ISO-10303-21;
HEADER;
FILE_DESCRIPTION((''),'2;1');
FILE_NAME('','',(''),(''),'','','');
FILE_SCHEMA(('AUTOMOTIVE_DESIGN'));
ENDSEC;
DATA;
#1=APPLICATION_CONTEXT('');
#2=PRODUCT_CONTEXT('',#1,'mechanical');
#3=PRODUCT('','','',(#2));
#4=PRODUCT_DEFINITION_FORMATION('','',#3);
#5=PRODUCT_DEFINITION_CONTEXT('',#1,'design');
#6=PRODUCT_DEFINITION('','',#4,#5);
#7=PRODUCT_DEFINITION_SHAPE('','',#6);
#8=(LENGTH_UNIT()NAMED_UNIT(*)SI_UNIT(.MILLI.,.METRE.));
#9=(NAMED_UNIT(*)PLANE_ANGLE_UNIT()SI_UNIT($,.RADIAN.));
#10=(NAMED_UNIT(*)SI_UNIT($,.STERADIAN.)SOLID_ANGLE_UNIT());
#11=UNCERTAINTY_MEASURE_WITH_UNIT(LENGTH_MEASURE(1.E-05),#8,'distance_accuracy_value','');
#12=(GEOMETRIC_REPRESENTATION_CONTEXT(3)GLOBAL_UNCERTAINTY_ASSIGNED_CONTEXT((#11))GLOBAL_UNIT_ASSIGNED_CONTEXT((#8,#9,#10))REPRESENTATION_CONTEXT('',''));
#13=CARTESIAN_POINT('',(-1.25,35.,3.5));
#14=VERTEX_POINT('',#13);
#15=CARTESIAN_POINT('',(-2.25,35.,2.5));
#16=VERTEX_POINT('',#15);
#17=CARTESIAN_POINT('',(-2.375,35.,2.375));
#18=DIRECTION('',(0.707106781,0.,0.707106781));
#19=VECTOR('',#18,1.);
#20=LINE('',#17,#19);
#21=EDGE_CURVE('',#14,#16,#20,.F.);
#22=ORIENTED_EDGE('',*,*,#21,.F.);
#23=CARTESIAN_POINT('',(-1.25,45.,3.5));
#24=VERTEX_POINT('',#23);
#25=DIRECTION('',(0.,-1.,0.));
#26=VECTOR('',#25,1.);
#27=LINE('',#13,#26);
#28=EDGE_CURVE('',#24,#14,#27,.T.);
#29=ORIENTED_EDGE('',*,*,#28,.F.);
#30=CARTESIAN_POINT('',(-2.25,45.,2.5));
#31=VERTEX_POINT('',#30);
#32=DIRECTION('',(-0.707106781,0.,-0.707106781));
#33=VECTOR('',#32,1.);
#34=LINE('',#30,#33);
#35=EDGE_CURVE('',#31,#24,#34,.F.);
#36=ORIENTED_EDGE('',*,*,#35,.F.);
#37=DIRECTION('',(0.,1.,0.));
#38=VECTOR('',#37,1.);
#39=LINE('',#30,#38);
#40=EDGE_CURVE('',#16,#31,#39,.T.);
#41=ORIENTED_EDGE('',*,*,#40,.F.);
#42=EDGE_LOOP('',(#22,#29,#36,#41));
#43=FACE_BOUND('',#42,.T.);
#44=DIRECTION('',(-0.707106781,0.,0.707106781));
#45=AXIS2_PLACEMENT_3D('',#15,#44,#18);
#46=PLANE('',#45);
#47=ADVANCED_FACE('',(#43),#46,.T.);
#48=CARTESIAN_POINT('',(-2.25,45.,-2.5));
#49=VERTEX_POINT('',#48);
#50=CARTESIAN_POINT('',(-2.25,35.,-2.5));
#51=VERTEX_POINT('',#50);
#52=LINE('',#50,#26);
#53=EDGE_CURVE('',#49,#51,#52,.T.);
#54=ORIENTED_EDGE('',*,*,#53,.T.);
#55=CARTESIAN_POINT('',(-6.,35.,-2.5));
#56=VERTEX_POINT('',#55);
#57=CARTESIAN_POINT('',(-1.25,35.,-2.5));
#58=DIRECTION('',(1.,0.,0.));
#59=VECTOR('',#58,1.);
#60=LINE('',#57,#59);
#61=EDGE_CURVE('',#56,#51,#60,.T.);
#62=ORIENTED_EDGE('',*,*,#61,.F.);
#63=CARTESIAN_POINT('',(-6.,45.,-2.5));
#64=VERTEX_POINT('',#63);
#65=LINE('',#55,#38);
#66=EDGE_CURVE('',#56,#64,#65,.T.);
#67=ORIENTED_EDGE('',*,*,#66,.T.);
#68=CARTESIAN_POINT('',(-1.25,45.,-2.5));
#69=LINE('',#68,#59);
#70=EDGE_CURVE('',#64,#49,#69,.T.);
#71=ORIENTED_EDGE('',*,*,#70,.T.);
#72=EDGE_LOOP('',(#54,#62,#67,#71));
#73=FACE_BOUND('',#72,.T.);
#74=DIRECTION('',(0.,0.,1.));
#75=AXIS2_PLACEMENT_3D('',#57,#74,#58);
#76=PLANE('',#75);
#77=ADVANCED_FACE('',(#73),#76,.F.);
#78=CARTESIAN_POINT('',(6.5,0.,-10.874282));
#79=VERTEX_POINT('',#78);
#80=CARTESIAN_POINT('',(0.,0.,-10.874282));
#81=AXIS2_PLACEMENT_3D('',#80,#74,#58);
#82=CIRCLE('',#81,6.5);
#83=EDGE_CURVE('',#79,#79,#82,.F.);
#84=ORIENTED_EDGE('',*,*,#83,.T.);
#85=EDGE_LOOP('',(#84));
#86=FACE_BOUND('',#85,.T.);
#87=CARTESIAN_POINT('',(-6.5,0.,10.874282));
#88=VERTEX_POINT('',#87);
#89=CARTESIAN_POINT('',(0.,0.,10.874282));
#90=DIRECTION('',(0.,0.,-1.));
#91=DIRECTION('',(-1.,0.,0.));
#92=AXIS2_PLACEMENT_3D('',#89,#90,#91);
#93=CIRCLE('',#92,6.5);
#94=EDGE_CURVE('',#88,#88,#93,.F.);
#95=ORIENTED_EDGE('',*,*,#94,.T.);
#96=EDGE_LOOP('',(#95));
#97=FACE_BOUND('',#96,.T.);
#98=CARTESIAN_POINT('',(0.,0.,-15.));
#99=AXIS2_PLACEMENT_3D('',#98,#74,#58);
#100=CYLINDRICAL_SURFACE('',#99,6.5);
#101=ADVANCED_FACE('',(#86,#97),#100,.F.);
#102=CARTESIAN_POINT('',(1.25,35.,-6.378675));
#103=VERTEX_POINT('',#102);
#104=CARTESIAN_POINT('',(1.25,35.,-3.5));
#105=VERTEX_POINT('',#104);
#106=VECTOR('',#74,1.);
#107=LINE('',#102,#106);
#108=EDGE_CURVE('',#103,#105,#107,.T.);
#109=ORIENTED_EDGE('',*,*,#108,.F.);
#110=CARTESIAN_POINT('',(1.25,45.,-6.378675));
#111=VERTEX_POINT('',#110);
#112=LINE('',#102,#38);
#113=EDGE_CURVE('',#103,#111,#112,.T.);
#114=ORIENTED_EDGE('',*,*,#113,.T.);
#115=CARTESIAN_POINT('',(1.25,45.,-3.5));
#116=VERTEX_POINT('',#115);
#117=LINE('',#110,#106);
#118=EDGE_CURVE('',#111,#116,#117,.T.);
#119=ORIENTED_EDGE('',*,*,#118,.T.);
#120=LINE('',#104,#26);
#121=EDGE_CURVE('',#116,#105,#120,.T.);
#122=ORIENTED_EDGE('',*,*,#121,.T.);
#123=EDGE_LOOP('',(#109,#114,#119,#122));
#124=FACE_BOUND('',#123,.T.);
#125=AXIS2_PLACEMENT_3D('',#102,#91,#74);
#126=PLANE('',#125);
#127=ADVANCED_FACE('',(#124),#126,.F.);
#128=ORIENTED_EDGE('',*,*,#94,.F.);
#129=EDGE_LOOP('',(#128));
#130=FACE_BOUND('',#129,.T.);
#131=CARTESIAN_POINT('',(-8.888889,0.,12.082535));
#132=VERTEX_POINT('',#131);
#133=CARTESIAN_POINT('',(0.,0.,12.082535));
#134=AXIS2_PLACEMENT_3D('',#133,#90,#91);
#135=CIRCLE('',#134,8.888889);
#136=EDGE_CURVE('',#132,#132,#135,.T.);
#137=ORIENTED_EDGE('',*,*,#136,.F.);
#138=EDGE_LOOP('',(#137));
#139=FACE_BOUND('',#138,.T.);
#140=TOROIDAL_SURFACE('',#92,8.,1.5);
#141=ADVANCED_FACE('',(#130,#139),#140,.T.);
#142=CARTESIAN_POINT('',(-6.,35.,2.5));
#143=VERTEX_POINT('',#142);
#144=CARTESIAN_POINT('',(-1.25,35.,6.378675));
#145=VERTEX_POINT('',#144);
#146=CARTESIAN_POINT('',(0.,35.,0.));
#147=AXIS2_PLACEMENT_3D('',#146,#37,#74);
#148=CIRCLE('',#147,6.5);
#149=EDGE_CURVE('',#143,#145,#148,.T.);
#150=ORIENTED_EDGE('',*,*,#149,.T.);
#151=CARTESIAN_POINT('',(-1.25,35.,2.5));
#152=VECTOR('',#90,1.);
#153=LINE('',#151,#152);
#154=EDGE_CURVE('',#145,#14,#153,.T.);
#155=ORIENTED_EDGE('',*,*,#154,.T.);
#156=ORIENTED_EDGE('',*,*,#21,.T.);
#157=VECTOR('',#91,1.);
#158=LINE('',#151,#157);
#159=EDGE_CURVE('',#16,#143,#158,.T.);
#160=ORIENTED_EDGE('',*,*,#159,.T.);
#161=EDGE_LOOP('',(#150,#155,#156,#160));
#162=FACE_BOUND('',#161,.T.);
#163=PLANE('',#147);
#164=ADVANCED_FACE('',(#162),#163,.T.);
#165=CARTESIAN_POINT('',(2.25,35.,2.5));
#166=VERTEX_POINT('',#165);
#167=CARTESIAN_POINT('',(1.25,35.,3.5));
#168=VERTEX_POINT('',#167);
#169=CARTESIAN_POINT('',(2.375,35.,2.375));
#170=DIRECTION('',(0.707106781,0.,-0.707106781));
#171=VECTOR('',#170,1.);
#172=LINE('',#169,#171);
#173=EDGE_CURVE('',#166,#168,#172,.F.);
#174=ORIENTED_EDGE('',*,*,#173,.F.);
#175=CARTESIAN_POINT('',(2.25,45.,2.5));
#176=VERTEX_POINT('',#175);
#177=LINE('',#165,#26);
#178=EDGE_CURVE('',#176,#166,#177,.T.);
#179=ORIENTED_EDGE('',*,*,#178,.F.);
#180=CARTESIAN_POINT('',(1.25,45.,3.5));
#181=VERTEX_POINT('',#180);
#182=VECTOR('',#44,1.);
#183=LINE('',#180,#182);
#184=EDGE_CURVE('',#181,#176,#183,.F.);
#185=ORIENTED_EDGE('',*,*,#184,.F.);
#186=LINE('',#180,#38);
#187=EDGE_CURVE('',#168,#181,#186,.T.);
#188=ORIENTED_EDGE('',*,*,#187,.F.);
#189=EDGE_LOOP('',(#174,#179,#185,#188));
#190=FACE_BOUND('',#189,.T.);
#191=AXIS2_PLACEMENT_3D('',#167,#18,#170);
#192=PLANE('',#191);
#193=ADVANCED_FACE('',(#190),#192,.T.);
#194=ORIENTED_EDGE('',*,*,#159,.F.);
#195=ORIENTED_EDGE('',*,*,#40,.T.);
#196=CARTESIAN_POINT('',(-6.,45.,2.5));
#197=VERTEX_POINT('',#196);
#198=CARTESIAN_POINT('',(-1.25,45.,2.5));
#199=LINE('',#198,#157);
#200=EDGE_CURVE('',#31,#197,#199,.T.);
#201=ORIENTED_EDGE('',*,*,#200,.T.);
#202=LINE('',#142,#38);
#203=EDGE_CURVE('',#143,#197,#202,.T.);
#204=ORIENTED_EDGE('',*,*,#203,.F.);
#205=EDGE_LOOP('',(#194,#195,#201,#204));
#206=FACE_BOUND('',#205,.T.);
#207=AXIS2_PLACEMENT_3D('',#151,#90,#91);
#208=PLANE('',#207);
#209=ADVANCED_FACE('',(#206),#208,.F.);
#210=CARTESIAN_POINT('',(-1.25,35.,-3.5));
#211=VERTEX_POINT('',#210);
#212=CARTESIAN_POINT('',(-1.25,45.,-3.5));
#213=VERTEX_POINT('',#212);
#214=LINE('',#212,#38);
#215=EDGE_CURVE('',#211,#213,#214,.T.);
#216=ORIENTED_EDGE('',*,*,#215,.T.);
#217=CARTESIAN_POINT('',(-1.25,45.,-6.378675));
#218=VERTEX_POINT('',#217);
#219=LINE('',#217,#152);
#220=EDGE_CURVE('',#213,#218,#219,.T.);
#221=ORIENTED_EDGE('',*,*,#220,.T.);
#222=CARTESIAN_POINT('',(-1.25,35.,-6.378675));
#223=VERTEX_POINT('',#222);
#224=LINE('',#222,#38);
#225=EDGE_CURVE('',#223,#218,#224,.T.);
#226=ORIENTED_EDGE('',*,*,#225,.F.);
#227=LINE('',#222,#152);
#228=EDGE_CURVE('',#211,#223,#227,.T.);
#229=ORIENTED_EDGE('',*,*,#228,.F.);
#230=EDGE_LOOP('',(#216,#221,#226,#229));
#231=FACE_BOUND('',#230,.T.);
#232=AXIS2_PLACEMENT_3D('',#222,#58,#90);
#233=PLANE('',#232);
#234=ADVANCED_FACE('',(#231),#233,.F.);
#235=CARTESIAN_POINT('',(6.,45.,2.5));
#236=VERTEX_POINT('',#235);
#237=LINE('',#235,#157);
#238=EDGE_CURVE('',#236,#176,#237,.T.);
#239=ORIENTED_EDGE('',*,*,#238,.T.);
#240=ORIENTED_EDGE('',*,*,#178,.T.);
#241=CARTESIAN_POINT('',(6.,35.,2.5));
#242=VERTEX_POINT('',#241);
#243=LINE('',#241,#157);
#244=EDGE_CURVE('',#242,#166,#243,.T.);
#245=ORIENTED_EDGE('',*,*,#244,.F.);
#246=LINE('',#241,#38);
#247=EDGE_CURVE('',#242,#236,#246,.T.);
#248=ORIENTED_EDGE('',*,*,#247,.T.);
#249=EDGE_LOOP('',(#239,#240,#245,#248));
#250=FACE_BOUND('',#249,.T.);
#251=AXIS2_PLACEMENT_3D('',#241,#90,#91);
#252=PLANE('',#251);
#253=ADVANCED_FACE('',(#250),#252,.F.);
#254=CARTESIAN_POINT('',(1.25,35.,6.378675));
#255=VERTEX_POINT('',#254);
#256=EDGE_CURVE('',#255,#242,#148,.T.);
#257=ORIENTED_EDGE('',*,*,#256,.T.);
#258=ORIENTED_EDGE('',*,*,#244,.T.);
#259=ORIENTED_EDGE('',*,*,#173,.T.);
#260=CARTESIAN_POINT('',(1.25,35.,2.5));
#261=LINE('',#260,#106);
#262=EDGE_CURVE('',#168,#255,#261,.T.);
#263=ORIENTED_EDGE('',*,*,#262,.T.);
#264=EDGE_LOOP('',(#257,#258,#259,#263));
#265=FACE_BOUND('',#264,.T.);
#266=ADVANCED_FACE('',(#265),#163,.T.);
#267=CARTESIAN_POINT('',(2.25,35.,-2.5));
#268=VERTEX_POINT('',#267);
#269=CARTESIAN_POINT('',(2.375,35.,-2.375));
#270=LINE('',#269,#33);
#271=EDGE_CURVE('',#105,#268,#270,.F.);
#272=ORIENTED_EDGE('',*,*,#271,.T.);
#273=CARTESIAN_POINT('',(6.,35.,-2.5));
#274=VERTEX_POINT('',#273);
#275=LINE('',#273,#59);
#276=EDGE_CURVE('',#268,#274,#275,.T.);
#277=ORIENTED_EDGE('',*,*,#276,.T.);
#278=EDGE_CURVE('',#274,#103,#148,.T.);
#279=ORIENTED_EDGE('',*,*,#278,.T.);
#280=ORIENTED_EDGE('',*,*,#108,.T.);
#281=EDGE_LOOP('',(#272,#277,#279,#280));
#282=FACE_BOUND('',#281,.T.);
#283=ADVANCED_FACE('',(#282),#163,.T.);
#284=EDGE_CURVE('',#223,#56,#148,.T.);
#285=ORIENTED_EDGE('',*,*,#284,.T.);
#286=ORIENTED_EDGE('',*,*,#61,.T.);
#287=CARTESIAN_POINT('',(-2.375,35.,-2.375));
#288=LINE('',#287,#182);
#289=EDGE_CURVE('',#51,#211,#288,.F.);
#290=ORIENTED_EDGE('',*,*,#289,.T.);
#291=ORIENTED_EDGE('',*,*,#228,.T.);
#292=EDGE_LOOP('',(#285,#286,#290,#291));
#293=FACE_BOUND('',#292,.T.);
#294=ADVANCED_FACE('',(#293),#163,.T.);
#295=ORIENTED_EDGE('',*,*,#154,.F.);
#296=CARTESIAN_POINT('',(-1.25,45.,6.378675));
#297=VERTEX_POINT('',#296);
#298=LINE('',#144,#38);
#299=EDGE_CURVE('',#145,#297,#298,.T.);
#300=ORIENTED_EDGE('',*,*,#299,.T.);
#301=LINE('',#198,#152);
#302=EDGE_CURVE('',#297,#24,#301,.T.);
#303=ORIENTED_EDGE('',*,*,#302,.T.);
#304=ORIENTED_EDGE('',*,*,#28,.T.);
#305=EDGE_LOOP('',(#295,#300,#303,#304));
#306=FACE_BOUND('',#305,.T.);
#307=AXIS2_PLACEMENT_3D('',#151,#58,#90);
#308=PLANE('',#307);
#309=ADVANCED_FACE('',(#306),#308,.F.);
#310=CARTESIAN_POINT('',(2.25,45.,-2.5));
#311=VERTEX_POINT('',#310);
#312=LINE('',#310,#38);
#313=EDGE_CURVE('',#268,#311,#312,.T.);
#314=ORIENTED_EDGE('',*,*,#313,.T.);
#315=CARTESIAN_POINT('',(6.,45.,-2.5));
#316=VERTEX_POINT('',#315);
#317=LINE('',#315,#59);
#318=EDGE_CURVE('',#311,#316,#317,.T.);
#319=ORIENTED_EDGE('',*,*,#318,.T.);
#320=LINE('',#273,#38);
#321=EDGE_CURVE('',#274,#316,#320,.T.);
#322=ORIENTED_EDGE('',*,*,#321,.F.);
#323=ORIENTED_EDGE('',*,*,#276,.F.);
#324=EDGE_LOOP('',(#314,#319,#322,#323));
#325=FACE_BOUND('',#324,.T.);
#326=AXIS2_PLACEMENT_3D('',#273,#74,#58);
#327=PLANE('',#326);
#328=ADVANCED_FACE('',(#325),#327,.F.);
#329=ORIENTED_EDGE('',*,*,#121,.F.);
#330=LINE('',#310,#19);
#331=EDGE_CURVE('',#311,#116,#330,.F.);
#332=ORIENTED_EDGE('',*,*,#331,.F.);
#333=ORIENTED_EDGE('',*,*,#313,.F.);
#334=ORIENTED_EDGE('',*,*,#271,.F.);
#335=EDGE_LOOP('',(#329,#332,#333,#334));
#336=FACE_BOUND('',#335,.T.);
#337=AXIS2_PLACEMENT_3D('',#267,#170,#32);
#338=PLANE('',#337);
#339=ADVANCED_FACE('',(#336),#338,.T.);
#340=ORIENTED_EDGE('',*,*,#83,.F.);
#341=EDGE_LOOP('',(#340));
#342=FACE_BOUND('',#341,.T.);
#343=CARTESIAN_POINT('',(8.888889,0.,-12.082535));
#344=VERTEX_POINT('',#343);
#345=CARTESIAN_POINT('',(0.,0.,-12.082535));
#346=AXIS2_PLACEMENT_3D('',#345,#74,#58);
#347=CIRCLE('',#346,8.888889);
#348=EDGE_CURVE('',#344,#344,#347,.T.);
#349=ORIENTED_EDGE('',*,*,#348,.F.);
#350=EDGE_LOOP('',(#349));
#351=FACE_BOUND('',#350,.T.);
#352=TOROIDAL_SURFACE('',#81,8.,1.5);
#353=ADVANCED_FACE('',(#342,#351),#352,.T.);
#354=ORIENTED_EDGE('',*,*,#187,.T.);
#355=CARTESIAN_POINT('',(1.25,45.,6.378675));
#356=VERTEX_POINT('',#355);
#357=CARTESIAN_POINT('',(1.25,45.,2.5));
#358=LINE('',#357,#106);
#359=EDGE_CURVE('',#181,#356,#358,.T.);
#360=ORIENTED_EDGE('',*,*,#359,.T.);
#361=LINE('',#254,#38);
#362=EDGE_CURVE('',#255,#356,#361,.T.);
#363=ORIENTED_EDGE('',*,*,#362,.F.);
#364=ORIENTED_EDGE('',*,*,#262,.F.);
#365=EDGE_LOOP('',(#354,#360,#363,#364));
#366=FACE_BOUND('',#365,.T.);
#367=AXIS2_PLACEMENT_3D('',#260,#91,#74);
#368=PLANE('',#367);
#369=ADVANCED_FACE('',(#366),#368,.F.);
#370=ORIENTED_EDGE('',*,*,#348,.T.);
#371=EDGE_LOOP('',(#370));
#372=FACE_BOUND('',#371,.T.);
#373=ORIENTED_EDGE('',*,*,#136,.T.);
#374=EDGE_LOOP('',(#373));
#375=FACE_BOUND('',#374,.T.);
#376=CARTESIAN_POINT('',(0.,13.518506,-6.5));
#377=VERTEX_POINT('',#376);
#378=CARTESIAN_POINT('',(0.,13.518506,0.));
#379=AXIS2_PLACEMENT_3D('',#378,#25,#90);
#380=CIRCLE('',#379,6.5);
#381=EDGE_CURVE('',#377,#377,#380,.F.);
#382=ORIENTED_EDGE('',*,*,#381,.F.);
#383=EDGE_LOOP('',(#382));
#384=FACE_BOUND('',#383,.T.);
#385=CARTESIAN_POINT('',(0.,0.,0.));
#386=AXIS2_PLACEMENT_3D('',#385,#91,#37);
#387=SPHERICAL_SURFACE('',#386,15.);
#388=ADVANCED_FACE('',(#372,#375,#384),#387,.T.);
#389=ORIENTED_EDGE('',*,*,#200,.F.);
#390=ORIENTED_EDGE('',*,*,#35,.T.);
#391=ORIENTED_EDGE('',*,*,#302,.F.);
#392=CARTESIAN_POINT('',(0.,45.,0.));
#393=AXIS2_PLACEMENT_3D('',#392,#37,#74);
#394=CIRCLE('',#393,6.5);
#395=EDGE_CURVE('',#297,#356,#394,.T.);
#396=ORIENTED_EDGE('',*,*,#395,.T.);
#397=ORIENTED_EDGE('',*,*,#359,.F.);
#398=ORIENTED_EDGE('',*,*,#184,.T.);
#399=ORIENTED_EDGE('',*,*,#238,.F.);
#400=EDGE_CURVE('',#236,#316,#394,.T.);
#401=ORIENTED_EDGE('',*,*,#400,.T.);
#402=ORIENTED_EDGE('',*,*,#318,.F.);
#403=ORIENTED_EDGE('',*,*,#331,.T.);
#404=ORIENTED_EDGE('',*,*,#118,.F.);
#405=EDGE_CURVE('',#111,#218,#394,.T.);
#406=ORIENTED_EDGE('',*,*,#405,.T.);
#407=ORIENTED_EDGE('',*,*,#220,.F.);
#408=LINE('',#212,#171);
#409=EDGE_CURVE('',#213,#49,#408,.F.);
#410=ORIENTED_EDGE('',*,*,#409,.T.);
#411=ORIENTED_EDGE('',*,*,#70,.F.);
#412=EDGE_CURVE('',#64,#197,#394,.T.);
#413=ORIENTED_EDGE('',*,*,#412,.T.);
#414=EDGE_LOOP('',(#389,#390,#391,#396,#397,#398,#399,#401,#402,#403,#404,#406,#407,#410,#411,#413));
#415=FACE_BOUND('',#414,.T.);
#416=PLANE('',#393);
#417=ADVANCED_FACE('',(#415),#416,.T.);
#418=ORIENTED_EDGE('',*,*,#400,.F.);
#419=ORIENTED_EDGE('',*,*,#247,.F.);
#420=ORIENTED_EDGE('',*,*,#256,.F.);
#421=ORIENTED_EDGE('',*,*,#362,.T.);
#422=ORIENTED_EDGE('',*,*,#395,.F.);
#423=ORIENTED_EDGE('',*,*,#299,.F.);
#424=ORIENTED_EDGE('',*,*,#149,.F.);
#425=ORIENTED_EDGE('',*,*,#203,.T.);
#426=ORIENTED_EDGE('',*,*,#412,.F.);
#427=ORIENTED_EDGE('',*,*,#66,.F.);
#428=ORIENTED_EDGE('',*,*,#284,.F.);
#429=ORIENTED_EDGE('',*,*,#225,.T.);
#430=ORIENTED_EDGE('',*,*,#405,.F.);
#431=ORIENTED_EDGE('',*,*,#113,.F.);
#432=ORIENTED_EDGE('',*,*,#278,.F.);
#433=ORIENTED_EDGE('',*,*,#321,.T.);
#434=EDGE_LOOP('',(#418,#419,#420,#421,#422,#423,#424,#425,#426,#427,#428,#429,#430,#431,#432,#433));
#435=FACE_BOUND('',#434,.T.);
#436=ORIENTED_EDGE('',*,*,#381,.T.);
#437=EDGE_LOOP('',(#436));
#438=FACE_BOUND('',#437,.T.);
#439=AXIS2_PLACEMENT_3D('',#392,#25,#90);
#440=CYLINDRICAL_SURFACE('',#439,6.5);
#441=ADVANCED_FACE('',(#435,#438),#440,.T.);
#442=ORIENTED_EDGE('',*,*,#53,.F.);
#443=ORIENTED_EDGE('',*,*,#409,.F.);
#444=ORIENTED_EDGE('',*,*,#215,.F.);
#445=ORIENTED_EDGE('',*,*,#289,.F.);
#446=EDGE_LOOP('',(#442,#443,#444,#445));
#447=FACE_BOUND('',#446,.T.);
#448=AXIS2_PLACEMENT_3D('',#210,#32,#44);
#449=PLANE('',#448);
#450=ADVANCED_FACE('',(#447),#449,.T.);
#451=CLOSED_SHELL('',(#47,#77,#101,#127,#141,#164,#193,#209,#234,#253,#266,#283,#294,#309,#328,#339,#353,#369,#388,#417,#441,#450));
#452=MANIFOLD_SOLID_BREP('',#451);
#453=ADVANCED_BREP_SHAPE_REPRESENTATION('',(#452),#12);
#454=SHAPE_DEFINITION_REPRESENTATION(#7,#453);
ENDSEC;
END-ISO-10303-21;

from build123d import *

# Parameters (mm, degrees)
SKETCH_S2_R              = 6.5
EXTRUDE_2_DEPTH          = 45
CUT_EXTRUDE_START        = -10
CUT_EXTRUDE_3_DEPTH      = 10
CHAMFER_4_SIZE           = 1
CUT_EXTRUDE_5_DEPTH      = 50.749371946
CUT_EXTRUDE_5_DEPTH_BACK = 50.749371946
SKETCH_S5_R              = 6.5
FILLET1_R                = 1.5


with BuildPart() as part:
    # Sketch s1 → Revolve 1 (revolve)
    with BuildSketch(Plane.XY):
        with BuildLine():
            Line((-15, 0), (15, 0))
            ThreePointArc((15, 0), (0, 15), (-15, 0))
        make_face()
    revolve(axis=Axis((-56.6721202, 0, 0), (1, 0, 0)))

    # Sketch s2 → Extrude 2 (add)
    with BuildSketch(Plane(origin=(0, 0, 0), x_dir=(1, 0, 0), z_dir=(0, 1, 0))):
        with Locations(Location((0, 0, 0), (0, 0, 90))):
            Circle(SKETCH_S2_R)
    extrude(amount=EXTRUDE_2_DEPTH)

    # Sketch s3 → Cut-Extrude 3 (cut)
    with BuildSketch(Plane(origin=(0, 45, 0), x_dir=(-1, 0, 0), z_dir=(0, 1, 0)).offset(CUT_EXTRUDE_START)):
        with BuildLine():
            Line((-1.25, -6.378675411), (-1.25, -2.5))
            Line((-1.25, -2.5), (-6, -2.5))
            ThreePointArc((-6, -2.5), (-4.111162334, -5.034713921), (-1.25, -6.378675411))
        make_face()
        with BuildLine():
            Line((1.25, -6.378675411), (1.25, -2.5))
            Line((1.25, -2.5), (6, -2.5))
            ThreePointArc((6, -2.5), (4.111162334, -5.034713921), (1.25, -6.378675411))
        make_face()
        with BuildLine():
            Line((-6, 2.5), (-1.25, 2.5))
            Line((-1.25, 2.5), (-1.25, 6.378675411))
            ThreePointArc((-1.25, 6.378675411), (-4.111162334, 5.034713921), (-6, 2.5))
        make_face()
        with BuildLine():
            Line((1.25, 2.5), (1.25, 6.378675411))
            ThreePointArc((1.25, 6.378675411), (4.111162334, 5.034713921), (6, 2.5))
            Line((6, 2.5), (1.25, 2.5))
        make_face()
    extrude(amount=CUT_EXTRUDE_3_DEPTH, mode=Mode.SUBTRACT)

    # Chamfer 4
    chamfer_4_edges = [part.edges().sort_by_distance(p)[0] for p in [
        (-1.25, 40, -2.5),
        (1.25, 40, 2.5),
        (1.25, 40, -2.5),
        (-1.25, 40, 2.5),
    ]]
    chamfer(chamfer_4_edges, length=CHAMFER_4_SIZE)

    # Sketch s5 → Cut-Extrude 5 (cut, two sides: drawn at the far end of the back side and taken through both)
    with BuildSketch(Plane.XY.offset(-CUT_EXTRUDE_5_DEPTH_BACK)):
        Circle(SKETCH_S5_R)
    extrude(amount=CUT_EXTRUDE_5_DEPTH + CUT_EXTRUDE_5_DEPTH_BACK, mode=Mode.SUBTRACT)

    # Fillet1
    fillet1_edges = [part.edges().sort_by_distance(p)[0] for p in [
        (-6.5, 0, -13.518505835),
        (-6.5, 0, 13.518505835),
    ]]
    fillet(fillet1_edges, radius=FILLET1_R)


solid = part.part
